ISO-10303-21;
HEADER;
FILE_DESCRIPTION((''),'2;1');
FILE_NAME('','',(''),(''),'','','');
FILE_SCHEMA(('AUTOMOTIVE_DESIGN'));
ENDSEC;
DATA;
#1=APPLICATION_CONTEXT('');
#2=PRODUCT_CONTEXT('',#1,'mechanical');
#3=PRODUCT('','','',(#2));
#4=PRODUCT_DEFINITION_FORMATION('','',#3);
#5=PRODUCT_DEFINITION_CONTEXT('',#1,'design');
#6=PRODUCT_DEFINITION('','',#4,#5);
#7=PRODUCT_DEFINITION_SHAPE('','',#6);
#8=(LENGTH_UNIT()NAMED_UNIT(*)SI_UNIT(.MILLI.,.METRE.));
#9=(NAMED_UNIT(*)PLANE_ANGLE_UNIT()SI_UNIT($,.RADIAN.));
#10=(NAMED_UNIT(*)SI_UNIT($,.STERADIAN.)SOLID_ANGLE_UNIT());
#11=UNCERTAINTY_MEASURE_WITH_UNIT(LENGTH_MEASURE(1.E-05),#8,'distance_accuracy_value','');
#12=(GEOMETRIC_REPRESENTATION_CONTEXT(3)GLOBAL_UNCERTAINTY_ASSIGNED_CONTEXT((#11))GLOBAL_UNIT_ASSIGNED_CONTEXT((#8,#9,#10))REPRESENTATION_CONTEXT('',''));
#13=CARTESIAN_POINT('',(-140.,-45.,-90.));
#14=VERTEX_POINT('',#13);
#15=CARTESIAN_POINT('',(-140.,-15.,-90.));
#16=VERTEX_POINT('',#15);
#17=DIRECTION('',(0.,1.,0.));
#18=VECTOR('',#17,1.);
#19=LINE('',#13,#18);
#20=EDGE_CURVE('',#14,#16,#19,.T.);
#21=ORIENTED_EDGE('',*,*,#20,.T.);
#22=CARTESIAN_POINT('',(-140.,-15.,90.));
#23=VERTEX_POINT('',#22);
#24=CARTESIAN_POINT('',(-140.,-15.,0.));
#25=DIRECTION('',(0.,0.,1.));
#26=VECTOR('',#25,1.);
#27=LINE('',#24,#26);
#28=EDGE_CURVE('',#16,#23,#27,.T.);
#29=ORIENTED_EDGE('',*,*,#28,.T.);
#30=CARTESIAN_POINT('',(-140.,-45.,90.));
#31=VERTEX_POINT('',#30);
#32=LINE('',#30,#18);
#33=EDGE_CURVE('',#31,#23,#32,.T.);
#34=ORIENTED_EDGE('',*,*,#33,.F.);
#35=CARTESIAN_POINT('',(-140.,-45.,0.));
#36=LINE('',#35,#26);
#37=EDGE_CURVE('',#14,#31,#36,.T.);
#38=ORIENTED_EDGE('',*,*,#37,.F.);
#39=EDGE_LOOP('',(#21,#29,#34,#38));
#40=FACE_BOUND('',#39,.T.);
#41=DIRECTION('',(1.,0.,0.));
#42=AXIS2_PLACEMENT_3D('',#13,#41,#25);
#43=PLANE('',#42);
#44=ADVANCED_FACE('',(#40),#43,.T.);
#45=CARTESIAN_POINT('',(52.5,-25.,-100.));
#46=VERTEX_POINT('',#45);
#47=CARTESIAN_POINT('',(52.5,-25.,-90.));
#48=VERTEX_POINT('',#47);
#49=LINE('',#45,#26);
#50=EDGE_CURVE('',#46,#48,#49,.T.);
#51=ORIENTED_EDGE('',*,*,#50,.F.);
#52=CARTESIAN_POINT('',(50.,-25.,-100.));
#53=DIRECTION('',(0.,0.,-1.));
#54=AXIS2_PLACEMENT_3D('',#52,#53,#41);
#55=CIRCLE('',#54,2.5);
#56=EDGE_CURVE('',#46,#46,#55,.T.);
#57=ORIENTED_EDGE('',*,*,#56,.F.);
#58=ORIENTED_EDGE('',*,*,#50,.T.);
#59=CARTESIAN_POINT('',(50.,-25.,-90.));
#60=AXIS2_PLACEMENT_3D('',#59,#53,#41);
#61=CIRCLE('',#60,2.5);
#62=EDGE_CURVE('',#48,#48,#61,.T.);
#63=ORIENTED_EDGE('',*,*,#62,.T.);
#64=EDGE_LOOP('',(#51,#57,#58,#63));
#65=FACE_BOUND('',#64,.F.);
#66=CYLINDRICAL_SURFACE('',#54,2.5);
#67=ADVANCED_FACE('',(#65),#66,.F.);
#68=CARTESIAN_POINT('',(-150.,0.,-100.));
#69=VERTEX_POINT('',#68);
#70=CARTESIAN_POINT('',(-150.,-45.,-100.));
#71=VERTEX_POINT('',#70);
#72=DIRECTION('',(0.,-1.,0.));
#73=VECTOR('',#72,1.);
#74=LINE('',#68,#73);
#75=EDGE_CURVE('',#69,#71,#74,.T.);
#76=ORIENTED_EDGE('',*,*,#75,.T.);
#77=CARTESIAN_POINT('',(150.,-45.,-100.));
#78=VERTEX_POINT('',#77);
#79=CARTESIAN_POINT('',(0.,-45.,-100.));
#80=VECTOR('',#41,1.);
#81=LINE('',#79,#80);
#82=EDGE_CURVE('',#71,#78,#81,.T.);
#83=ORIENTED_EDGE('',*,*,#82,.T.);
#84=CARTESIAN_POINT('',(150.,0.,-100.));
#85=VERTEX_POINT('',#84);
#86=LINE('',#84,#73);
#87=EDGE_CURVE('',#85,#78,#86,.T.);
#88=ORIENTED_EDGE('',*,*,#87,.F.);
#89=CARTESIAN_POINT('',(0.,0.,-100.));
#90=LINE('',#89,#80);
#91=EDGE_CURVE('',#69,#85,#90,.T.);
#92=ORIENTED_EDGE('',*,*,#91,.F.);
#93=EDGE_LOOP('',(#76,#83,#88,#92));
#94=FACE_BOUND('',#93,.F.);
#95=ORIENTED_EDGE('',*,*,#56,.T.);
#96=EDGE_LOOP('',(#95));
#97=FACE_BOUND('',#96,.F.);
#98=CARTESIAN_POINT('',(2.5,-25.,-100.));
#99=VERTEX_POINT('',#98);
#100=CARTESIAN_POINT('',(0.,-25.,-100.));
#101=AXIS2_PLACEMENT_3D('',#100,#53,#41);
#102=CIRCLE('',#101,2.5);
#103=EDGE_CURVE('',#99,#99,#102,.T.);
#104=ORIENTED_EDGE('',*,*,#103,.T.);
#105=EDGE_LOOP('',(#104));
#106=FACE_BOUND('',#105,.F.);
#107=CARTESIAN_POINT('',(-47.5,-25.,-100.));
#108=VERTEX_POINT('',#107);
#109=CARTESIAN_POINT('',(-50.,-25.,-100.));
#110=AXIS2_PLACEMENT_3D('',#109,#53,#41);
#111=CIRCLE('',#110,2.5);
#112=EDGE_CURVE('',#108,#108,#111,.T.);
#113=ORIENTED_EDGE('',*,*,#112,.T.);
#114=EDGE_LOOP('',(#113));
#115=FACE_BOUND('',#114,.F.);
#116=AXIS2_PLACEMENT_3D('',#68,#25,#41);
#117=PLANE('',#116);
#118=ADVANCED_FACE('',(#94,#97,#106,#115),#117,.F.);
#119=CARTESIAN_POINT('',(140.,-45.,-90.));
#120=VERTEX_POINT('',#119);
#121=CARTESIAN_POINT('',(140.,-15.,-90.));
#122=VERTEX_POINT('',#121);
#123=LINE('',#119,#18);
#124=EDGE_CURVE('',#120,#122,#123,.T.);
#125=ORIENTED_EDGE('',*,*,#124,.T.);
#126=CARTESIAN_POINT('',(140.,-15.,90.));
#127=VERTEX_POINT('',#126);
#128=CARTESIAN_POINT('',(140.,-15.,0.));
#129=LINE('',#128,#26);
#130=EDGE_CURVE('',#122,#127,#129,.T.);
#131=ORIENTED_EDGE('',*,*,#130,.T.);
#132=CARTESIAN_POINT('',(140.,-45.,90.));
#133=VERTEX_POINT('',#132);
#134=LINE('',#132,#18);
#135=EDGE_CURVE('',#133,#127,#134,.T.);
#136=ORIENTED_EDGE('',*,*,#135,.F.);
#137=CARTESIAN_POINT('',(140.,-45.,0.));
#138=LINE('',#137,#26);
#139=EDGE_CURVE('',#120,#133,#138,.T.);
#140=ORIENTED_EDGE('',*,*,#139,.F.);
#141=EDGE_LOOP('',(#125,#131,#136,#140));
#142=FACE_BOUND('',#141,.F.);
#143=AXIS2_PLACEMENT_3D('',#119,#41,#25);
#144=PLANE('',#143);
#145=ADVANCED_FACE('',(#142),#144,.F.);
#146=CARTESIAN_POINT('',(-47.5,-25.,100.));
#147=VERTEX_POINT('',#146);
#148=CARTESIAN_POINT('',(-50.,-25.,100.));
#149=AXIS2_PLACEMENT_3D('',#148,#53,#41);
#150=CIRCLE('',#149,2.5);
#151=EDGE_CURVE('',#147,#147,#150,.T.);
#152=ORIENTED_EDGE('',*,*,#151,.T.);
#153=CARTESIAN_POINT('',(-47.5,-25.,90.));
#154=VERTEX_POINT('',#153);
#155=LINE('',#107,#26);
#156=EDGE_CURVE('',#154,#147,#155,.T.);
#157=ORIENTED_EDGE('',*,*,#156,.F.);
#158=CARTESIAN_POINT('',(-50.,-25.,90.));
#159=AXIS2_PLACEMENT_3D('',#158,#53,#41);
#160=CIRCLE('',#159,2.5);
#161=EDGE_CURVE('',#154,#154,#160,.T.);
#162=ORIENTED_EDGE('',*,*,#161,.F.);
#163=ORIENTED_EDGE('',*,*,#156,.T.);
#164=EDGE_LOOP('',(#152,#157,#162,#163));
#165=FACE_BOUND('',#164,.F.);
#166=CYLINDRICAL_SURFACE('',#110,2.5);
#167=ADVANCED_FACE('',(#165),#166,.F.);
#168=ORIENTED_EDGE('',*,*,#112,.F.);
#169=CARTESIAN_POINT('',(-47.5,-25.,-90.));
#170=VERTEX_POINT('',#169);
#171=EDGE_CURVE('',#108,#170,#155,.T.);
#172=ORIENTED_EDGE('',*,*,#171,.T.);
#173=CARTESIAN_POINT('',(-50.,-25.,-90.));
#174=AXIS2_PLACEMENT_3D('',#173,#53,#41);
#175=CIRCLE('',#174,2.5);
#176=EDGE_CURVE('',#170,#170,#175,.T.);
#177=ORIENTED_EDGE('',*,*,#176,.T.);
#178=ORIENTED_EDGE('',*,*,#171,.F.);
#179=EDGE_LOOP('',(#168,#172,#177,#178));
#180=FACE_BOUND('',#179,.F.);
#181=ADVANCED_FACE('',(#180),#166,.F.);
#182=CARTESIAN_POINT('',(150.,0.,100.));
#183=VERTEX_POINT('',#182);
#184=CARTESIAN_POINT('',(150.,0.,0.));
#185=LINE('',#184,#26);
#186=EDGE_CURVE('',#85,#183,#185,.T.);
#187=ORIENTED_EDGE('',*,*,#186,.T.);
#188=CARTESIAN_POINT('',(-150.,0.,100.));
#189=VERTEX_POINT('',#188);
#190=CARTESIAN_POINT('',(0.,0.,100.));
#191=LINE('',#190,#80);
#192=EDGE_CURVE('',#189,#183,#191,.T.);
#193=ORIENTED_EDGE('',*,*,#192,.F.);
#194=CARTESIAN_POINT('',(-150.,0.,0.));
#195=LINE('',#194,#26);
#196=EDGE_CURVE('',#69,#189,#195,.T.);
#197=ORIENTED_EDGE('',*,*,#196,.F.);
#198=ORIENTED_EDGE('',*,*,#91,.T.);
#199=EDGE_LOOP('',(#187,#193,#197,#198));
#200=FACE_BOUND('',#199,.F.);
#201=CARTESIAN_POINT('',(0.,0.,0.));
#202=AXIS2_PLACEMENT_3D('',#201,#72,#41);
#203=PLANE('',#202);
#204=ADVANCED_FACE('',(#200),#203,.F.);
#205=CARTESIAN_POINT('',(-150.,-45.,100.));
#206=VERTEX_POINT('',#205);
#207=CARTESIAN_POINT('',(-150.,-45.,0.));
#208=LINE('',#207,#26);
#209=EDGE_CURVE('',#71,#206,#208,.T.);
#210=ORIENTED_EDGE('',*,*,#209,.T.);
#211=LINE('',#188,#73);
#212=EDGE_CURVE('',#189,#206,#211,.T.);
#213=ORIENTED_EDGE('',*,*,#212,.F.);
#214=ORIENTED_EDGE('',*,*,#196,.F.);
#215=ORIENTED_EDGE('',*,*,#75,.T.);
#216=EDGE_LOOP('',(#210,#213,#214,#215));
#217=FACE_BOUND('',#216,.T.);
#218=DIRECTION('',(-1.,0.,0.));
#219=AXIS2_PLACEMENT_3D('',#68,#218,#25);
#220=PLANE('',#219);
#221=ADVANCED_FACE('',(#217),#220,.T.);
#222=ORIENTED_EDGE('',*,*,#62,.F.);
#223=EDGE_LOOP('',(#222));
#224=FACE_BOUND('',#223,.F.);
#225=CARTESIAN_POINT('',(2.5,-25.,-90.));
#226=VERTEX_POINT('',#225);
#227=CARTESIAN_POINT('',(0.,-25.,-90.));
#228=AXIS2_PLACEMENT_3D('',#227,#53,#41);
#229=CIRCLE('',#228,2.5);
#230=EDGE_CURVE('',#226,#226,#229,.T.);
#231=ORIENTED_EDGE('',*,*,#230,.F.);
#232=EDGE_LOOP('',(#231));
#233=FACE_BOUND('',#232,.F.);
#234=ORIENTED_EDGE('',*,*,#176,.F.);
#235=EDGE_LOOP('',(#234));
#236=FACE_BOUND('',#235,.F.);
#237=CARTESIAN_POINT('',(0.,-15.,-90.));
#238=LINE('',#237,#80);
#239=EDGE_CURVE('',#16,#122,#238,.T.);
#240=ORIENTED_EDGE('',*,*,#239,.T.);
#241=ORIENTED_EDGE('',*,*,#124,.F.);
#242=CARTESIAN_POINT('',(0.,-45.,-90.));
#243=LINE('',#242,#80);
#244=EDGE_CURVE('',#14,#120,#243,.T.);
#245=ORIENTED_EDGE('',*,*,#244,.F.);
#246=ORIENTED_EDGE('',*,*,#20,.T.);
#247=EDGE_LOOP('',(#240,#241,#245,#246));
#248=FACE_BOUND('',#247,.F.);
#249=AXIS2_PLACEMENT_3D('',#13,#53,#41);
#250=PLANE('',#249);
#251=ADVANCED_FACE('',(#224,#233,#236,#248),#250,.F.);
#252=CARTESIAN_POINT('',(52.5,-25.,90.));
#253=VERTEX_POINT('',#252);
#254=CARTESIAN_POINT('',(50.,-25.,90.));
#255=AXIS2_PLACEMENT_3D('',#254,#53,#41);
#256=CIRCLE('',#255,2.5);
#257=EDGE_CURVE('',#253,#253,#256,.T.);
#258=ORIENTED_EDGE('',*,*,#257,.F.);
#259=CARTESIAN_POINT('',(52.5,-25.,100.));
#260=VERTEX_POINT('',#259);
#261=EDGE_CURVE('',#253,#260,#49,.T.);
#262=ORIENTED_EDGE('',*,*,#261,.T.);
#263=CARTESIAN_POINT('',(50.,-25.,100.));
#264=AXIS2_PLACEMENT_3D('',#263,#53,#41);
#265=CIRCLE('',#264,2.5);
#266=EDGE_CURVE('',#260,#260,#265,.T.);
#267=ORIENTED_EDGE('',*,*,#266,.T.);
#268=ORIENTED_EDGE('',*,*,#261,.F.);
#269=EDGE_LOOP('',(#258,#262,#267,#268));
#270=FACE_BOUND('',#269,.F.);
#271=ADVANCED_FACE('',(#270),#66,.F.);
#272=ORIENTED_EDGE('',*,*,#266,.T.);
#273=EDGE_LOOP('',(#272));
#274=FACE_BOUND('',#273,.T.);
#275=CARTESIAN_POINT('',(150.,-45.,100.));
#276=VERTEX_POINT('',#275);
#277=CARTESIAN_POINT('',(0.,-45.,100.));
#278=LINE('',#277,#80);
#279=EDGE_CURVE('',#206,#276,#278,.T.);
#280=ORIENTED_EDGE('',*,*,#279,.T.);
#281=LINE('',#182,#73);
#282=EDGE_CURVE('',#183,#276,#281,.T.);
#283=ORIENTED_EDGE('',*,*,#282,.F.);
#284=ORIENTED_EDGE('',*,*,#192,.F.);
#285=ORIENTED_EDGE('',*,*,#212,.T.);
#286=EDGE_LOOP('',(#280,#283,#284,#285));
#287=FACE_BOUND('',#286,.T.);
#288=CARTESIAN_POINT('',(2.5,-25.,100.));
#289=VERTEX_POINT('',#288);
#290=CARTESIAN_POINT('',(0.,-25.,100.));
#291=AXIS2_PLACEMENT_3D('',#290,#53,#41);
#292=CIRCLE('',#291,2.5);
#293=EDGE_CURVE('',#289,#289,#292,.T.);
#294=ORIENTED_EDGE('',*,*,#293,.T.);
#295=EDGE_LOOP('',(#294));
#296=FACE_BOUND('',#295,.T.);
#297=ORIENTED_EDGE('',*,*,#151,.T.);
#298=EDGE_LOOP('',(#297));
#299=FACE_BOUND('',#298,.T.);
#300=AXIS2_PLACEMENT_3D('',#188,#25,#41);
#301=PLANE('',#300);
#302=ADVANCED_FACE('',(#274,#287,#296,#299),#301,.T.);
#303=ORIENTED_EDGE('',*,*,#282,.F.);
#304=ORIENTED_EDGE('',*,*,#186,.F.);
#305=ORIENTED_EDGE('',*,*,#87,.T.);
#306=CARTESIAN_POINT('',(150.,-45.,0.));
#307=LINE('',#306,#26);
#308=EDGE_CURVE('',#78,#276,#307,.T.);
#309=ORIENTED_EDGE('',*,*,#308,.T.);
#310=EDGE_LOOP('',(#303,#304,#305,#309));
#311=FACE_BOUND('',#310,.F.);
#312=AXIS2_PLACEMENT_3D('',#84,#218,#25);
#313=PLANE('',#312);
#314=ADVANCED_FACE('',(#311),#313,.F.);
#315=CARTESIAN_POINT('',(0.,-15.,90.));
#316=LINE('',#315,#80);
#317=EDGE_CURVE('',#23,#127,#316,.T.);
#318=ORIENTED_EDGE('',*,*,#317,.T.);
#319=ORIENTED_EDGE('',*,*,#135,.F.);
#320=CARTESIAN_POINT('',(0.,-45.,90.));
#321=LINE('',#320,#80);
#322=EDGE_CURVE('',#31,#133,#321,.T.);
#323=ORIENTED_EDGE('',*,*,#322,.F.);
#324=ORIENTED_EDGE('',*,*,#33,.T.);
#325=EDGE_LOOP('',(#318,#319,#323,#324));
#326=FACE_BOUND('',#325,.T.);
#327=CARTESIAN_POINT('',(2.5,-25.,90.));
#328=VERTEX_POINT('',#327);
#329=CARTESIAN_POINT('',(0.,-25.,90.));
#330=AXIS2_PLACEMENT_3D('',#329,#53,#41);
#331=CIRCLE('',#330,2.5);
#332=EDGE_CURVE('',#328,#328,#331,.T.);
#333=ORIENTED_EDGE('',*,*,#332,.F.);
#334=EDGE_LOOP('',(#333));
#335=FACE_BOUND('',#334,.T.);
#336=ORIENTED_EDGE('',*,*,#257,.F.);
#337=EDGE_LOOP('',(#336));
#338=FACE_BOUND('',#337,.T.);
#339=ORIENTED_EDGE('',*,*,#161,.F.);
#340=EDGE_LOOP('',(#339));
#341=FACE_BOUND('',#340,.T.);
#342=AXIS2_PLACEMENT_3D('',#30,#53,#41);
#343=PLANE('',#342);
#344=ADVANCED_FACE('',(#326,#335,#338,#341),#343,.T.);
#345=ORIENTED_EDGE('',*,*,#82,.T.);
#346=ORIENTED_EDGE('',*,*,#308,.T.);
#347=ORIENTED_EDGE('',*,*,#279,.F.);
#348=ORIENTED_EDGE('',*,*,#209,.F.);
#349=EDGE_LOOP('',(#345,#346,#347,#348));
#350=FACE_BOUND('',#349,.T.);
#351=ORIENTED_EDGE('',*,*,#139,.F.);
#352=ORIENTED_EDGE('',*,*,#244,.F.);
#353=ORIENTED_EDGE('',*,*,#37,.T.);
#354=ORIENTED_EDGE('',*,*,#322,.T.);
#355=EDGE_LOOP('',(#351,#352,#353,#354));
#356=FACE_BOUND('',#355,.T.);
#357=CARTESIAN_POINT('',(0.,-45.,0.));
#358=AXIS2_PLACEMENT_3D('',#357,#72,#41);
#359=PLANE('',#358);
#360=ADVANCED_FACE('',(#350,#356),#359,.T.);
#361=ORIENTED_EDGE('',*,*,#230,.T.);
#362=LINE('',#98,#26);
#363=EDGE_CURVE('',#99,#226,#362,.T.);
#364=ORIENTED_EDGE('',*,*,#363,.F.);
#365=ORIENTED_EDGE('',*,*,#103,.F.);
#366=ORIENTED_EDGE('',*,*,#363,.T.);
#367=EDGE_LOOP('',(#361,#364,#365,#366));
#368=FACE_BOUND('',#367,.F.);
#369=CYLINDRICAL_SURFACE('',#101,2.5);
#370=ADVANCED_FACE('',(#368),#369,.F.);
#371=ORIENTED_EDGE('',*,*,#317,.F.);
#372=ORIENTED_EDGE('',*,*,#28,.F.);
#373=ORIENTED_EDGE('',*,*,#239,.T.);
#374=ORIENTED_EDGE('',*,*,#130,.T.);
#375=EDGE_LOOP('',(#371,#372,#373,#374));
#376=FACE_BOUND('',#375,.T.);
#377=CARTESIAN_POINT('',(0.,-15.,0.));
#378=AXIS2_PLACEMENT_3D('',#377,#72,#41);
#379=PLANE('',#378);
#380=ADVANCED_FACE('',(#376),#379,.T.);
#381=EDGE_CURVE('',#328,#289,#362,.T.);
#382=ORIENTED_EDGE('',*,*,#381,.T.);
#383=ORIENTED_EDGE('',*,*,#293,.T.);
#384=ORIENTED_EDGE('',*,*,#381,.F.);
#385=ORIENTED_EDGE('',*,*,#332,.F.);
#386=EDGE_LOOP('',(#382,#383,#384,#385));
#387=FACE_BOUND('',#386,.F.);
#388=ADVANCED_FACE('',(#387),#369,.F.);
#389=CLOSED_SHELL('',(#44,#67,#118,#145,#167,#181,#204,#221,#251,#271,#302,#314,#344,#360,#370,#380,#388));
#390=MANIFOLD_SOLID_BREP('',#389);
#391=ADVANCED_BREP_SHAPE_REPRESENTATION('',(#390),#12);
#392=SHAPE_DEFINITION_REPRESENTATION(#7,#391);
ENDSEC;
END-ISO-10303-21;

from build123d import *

# Parameters (mm, degrees)
F0_W     = 300
F0_H     = 200
F1_DEPTH = 45
F2_W     = 280
F2_H     = 180
F3_DEPTH = 30
F4_R     = 2.5
F5_DEPTH = 200.001


with BuildPart() as f1:
    # F0 (on Front) → F1 (new body)
    with BuildSketch(Plane.XZ):
        Rectangle(F0_W, F0_H)
    extrude(amount=F1_DEPTH)

    # F2 (on face) → F3 (cut)
    with BuildSketch(Plane.XZ.offset(45)):
        Rectangle(F2_W, F2_H)
    extrude(amount=-F3_DEPTH, mode=Mode.SUBTRACT)

    # F4 (on face) → F5 (cut, through all)
    with BuildSketch(Plane(origin=(0, 0, -100), x_dir=(1, 0, 0), z_dir=(0, 0, -1))):
        with Locations((-50, 25)):
            Circle(F4_R)
        with Locations((0, 25)):
            Circle(F4_R)
        with Locations((50, 25)):
            Circle(F4_R)
    extrude(amount=-F5_DEPTH, mode=Mode.SUBTRACT)


solid = f1.part
